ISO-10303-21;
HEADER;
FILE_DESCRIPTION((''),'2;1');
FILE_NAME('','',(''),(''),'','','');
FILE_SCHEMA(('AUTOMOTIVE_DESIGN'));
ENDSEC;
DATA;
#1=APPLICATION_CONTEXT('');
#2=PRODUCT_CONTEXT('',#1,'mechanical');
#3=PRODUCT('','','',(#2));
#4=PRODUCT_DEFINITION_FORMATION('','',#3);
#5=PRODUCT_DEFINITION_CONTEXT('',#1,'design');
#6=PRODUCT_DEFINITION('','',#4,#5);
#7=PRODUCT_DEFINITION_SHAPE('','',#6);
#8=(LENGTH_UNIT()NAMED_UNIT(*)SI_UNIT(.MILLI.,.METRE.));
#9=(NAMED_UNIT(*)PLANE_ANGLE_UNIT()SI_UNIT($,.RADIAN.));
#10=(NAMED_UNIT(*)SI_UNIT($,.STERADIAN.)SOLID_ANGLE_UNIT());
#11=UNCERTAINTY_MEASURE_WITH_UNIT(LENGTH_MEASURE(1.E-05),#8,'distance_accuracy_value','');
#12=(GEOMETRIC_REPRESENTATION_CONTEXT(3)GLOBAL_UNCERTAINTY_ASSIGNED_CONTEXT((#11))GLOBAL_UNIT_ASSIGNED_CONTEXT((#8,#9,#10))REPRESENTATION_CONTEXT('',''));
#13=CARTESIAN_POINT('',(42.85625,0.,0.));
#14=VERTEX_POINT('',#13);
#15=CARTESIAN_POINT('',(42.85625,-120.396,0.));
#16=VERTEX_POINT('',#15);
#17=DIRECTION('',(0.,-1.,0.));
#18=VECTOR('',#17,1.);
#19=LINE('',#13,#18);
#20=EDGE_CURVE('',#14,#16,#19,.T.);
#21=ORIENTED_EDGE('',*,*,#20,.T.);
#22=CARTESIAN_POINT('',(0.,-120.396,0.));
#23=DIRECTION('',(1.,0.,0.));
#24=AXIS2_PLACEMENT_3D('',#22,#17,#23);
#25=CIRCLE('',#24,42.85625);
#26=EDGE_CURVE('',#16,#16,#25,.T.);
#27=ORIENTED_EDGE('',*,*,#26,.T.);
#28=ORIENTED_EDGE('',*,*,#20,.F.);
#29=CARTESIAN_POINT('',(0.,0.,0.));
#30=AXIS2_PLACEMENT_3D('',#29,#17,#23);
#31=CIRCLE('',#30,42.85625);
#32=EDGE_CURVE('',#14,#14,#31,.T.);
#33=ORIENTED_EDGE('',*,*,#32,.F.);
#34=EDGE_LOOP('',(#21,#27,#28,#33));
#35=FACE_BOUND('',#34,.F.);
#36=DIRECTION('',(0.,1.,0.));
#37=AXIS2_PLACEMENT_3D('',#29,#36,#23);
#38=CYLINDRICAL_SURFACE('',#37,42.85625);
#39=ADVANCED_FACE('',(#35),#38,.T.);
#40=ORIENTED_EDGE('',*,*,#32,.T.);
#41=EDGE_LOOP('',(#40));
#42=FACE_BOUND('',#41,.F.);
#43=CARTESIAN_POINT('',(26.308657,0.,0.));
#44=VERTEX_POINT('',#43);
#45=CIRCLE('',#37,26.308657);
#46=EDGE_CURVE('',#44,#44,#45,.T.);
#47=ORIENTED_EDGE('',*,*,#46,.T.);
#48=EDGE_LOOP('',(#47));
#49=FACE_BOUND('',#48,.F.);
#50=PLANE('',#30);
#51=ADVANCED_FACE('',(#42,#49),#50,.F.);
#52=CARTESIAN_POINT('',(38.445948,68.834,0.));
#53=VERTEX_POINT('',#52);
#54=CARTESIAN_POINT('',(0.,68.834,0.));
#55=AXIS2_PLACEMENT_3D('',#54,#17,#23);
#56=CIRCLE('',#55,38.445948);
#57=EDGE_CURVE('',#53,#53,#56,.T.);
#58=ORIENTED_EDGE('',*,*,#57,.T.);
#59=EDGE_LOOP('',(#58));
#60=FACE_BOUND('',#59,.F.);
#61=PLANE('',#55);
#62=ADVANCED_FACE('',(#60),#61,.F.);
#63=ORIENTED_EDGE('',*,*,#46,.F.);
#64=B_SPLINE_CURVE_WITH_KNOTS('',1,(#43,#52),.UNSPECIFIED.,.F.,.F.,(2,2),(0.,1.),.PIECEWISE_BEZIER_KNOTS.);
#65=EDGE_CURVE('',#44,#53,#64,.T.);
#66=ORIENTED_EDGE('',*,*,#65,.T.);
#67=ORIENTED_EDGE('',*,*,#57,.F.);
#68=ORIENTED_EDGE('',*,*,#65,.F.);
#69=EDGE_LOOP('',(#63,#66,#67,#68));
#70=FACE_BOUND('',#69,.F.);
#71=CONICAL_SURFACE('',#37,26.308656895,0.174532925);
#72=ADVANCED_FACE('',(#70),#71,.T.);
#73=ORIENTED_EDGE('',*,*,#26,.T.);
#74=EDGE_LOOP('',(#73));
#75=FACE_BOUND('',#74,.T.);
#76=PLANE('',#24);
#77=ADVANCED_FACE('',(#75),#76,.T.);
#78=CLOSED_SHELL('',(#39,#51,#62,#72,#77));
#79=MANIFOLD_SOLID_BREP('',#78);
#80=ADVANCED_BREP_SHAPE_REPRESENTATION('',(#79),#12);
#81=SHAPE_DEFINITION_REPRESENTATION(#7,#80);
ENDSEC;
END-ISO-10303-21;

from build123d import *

# Parameters (mm, degrees)
F0_R     = 42.8562504329
F1_DEPTH = 120.396
F2_R     = 26.3086568954
F3_DEPTH = 68.834
F3_TAPER = -10


with BuildPart() as f1:
    # F0 (on Front) → F1 (new body)
    with BuildSketch(Plane.XZ):
        Circle(F0_R)
    extrude(amount=F1_DEPTH)

    # F2 (on Front) → F3 (join)
    with BuildSketch(Plane.XZ):
        Circle(F2_R)
    extrude(amount=-F3_DEPTH, taper=F3_TAPER)


solid = f1.part
